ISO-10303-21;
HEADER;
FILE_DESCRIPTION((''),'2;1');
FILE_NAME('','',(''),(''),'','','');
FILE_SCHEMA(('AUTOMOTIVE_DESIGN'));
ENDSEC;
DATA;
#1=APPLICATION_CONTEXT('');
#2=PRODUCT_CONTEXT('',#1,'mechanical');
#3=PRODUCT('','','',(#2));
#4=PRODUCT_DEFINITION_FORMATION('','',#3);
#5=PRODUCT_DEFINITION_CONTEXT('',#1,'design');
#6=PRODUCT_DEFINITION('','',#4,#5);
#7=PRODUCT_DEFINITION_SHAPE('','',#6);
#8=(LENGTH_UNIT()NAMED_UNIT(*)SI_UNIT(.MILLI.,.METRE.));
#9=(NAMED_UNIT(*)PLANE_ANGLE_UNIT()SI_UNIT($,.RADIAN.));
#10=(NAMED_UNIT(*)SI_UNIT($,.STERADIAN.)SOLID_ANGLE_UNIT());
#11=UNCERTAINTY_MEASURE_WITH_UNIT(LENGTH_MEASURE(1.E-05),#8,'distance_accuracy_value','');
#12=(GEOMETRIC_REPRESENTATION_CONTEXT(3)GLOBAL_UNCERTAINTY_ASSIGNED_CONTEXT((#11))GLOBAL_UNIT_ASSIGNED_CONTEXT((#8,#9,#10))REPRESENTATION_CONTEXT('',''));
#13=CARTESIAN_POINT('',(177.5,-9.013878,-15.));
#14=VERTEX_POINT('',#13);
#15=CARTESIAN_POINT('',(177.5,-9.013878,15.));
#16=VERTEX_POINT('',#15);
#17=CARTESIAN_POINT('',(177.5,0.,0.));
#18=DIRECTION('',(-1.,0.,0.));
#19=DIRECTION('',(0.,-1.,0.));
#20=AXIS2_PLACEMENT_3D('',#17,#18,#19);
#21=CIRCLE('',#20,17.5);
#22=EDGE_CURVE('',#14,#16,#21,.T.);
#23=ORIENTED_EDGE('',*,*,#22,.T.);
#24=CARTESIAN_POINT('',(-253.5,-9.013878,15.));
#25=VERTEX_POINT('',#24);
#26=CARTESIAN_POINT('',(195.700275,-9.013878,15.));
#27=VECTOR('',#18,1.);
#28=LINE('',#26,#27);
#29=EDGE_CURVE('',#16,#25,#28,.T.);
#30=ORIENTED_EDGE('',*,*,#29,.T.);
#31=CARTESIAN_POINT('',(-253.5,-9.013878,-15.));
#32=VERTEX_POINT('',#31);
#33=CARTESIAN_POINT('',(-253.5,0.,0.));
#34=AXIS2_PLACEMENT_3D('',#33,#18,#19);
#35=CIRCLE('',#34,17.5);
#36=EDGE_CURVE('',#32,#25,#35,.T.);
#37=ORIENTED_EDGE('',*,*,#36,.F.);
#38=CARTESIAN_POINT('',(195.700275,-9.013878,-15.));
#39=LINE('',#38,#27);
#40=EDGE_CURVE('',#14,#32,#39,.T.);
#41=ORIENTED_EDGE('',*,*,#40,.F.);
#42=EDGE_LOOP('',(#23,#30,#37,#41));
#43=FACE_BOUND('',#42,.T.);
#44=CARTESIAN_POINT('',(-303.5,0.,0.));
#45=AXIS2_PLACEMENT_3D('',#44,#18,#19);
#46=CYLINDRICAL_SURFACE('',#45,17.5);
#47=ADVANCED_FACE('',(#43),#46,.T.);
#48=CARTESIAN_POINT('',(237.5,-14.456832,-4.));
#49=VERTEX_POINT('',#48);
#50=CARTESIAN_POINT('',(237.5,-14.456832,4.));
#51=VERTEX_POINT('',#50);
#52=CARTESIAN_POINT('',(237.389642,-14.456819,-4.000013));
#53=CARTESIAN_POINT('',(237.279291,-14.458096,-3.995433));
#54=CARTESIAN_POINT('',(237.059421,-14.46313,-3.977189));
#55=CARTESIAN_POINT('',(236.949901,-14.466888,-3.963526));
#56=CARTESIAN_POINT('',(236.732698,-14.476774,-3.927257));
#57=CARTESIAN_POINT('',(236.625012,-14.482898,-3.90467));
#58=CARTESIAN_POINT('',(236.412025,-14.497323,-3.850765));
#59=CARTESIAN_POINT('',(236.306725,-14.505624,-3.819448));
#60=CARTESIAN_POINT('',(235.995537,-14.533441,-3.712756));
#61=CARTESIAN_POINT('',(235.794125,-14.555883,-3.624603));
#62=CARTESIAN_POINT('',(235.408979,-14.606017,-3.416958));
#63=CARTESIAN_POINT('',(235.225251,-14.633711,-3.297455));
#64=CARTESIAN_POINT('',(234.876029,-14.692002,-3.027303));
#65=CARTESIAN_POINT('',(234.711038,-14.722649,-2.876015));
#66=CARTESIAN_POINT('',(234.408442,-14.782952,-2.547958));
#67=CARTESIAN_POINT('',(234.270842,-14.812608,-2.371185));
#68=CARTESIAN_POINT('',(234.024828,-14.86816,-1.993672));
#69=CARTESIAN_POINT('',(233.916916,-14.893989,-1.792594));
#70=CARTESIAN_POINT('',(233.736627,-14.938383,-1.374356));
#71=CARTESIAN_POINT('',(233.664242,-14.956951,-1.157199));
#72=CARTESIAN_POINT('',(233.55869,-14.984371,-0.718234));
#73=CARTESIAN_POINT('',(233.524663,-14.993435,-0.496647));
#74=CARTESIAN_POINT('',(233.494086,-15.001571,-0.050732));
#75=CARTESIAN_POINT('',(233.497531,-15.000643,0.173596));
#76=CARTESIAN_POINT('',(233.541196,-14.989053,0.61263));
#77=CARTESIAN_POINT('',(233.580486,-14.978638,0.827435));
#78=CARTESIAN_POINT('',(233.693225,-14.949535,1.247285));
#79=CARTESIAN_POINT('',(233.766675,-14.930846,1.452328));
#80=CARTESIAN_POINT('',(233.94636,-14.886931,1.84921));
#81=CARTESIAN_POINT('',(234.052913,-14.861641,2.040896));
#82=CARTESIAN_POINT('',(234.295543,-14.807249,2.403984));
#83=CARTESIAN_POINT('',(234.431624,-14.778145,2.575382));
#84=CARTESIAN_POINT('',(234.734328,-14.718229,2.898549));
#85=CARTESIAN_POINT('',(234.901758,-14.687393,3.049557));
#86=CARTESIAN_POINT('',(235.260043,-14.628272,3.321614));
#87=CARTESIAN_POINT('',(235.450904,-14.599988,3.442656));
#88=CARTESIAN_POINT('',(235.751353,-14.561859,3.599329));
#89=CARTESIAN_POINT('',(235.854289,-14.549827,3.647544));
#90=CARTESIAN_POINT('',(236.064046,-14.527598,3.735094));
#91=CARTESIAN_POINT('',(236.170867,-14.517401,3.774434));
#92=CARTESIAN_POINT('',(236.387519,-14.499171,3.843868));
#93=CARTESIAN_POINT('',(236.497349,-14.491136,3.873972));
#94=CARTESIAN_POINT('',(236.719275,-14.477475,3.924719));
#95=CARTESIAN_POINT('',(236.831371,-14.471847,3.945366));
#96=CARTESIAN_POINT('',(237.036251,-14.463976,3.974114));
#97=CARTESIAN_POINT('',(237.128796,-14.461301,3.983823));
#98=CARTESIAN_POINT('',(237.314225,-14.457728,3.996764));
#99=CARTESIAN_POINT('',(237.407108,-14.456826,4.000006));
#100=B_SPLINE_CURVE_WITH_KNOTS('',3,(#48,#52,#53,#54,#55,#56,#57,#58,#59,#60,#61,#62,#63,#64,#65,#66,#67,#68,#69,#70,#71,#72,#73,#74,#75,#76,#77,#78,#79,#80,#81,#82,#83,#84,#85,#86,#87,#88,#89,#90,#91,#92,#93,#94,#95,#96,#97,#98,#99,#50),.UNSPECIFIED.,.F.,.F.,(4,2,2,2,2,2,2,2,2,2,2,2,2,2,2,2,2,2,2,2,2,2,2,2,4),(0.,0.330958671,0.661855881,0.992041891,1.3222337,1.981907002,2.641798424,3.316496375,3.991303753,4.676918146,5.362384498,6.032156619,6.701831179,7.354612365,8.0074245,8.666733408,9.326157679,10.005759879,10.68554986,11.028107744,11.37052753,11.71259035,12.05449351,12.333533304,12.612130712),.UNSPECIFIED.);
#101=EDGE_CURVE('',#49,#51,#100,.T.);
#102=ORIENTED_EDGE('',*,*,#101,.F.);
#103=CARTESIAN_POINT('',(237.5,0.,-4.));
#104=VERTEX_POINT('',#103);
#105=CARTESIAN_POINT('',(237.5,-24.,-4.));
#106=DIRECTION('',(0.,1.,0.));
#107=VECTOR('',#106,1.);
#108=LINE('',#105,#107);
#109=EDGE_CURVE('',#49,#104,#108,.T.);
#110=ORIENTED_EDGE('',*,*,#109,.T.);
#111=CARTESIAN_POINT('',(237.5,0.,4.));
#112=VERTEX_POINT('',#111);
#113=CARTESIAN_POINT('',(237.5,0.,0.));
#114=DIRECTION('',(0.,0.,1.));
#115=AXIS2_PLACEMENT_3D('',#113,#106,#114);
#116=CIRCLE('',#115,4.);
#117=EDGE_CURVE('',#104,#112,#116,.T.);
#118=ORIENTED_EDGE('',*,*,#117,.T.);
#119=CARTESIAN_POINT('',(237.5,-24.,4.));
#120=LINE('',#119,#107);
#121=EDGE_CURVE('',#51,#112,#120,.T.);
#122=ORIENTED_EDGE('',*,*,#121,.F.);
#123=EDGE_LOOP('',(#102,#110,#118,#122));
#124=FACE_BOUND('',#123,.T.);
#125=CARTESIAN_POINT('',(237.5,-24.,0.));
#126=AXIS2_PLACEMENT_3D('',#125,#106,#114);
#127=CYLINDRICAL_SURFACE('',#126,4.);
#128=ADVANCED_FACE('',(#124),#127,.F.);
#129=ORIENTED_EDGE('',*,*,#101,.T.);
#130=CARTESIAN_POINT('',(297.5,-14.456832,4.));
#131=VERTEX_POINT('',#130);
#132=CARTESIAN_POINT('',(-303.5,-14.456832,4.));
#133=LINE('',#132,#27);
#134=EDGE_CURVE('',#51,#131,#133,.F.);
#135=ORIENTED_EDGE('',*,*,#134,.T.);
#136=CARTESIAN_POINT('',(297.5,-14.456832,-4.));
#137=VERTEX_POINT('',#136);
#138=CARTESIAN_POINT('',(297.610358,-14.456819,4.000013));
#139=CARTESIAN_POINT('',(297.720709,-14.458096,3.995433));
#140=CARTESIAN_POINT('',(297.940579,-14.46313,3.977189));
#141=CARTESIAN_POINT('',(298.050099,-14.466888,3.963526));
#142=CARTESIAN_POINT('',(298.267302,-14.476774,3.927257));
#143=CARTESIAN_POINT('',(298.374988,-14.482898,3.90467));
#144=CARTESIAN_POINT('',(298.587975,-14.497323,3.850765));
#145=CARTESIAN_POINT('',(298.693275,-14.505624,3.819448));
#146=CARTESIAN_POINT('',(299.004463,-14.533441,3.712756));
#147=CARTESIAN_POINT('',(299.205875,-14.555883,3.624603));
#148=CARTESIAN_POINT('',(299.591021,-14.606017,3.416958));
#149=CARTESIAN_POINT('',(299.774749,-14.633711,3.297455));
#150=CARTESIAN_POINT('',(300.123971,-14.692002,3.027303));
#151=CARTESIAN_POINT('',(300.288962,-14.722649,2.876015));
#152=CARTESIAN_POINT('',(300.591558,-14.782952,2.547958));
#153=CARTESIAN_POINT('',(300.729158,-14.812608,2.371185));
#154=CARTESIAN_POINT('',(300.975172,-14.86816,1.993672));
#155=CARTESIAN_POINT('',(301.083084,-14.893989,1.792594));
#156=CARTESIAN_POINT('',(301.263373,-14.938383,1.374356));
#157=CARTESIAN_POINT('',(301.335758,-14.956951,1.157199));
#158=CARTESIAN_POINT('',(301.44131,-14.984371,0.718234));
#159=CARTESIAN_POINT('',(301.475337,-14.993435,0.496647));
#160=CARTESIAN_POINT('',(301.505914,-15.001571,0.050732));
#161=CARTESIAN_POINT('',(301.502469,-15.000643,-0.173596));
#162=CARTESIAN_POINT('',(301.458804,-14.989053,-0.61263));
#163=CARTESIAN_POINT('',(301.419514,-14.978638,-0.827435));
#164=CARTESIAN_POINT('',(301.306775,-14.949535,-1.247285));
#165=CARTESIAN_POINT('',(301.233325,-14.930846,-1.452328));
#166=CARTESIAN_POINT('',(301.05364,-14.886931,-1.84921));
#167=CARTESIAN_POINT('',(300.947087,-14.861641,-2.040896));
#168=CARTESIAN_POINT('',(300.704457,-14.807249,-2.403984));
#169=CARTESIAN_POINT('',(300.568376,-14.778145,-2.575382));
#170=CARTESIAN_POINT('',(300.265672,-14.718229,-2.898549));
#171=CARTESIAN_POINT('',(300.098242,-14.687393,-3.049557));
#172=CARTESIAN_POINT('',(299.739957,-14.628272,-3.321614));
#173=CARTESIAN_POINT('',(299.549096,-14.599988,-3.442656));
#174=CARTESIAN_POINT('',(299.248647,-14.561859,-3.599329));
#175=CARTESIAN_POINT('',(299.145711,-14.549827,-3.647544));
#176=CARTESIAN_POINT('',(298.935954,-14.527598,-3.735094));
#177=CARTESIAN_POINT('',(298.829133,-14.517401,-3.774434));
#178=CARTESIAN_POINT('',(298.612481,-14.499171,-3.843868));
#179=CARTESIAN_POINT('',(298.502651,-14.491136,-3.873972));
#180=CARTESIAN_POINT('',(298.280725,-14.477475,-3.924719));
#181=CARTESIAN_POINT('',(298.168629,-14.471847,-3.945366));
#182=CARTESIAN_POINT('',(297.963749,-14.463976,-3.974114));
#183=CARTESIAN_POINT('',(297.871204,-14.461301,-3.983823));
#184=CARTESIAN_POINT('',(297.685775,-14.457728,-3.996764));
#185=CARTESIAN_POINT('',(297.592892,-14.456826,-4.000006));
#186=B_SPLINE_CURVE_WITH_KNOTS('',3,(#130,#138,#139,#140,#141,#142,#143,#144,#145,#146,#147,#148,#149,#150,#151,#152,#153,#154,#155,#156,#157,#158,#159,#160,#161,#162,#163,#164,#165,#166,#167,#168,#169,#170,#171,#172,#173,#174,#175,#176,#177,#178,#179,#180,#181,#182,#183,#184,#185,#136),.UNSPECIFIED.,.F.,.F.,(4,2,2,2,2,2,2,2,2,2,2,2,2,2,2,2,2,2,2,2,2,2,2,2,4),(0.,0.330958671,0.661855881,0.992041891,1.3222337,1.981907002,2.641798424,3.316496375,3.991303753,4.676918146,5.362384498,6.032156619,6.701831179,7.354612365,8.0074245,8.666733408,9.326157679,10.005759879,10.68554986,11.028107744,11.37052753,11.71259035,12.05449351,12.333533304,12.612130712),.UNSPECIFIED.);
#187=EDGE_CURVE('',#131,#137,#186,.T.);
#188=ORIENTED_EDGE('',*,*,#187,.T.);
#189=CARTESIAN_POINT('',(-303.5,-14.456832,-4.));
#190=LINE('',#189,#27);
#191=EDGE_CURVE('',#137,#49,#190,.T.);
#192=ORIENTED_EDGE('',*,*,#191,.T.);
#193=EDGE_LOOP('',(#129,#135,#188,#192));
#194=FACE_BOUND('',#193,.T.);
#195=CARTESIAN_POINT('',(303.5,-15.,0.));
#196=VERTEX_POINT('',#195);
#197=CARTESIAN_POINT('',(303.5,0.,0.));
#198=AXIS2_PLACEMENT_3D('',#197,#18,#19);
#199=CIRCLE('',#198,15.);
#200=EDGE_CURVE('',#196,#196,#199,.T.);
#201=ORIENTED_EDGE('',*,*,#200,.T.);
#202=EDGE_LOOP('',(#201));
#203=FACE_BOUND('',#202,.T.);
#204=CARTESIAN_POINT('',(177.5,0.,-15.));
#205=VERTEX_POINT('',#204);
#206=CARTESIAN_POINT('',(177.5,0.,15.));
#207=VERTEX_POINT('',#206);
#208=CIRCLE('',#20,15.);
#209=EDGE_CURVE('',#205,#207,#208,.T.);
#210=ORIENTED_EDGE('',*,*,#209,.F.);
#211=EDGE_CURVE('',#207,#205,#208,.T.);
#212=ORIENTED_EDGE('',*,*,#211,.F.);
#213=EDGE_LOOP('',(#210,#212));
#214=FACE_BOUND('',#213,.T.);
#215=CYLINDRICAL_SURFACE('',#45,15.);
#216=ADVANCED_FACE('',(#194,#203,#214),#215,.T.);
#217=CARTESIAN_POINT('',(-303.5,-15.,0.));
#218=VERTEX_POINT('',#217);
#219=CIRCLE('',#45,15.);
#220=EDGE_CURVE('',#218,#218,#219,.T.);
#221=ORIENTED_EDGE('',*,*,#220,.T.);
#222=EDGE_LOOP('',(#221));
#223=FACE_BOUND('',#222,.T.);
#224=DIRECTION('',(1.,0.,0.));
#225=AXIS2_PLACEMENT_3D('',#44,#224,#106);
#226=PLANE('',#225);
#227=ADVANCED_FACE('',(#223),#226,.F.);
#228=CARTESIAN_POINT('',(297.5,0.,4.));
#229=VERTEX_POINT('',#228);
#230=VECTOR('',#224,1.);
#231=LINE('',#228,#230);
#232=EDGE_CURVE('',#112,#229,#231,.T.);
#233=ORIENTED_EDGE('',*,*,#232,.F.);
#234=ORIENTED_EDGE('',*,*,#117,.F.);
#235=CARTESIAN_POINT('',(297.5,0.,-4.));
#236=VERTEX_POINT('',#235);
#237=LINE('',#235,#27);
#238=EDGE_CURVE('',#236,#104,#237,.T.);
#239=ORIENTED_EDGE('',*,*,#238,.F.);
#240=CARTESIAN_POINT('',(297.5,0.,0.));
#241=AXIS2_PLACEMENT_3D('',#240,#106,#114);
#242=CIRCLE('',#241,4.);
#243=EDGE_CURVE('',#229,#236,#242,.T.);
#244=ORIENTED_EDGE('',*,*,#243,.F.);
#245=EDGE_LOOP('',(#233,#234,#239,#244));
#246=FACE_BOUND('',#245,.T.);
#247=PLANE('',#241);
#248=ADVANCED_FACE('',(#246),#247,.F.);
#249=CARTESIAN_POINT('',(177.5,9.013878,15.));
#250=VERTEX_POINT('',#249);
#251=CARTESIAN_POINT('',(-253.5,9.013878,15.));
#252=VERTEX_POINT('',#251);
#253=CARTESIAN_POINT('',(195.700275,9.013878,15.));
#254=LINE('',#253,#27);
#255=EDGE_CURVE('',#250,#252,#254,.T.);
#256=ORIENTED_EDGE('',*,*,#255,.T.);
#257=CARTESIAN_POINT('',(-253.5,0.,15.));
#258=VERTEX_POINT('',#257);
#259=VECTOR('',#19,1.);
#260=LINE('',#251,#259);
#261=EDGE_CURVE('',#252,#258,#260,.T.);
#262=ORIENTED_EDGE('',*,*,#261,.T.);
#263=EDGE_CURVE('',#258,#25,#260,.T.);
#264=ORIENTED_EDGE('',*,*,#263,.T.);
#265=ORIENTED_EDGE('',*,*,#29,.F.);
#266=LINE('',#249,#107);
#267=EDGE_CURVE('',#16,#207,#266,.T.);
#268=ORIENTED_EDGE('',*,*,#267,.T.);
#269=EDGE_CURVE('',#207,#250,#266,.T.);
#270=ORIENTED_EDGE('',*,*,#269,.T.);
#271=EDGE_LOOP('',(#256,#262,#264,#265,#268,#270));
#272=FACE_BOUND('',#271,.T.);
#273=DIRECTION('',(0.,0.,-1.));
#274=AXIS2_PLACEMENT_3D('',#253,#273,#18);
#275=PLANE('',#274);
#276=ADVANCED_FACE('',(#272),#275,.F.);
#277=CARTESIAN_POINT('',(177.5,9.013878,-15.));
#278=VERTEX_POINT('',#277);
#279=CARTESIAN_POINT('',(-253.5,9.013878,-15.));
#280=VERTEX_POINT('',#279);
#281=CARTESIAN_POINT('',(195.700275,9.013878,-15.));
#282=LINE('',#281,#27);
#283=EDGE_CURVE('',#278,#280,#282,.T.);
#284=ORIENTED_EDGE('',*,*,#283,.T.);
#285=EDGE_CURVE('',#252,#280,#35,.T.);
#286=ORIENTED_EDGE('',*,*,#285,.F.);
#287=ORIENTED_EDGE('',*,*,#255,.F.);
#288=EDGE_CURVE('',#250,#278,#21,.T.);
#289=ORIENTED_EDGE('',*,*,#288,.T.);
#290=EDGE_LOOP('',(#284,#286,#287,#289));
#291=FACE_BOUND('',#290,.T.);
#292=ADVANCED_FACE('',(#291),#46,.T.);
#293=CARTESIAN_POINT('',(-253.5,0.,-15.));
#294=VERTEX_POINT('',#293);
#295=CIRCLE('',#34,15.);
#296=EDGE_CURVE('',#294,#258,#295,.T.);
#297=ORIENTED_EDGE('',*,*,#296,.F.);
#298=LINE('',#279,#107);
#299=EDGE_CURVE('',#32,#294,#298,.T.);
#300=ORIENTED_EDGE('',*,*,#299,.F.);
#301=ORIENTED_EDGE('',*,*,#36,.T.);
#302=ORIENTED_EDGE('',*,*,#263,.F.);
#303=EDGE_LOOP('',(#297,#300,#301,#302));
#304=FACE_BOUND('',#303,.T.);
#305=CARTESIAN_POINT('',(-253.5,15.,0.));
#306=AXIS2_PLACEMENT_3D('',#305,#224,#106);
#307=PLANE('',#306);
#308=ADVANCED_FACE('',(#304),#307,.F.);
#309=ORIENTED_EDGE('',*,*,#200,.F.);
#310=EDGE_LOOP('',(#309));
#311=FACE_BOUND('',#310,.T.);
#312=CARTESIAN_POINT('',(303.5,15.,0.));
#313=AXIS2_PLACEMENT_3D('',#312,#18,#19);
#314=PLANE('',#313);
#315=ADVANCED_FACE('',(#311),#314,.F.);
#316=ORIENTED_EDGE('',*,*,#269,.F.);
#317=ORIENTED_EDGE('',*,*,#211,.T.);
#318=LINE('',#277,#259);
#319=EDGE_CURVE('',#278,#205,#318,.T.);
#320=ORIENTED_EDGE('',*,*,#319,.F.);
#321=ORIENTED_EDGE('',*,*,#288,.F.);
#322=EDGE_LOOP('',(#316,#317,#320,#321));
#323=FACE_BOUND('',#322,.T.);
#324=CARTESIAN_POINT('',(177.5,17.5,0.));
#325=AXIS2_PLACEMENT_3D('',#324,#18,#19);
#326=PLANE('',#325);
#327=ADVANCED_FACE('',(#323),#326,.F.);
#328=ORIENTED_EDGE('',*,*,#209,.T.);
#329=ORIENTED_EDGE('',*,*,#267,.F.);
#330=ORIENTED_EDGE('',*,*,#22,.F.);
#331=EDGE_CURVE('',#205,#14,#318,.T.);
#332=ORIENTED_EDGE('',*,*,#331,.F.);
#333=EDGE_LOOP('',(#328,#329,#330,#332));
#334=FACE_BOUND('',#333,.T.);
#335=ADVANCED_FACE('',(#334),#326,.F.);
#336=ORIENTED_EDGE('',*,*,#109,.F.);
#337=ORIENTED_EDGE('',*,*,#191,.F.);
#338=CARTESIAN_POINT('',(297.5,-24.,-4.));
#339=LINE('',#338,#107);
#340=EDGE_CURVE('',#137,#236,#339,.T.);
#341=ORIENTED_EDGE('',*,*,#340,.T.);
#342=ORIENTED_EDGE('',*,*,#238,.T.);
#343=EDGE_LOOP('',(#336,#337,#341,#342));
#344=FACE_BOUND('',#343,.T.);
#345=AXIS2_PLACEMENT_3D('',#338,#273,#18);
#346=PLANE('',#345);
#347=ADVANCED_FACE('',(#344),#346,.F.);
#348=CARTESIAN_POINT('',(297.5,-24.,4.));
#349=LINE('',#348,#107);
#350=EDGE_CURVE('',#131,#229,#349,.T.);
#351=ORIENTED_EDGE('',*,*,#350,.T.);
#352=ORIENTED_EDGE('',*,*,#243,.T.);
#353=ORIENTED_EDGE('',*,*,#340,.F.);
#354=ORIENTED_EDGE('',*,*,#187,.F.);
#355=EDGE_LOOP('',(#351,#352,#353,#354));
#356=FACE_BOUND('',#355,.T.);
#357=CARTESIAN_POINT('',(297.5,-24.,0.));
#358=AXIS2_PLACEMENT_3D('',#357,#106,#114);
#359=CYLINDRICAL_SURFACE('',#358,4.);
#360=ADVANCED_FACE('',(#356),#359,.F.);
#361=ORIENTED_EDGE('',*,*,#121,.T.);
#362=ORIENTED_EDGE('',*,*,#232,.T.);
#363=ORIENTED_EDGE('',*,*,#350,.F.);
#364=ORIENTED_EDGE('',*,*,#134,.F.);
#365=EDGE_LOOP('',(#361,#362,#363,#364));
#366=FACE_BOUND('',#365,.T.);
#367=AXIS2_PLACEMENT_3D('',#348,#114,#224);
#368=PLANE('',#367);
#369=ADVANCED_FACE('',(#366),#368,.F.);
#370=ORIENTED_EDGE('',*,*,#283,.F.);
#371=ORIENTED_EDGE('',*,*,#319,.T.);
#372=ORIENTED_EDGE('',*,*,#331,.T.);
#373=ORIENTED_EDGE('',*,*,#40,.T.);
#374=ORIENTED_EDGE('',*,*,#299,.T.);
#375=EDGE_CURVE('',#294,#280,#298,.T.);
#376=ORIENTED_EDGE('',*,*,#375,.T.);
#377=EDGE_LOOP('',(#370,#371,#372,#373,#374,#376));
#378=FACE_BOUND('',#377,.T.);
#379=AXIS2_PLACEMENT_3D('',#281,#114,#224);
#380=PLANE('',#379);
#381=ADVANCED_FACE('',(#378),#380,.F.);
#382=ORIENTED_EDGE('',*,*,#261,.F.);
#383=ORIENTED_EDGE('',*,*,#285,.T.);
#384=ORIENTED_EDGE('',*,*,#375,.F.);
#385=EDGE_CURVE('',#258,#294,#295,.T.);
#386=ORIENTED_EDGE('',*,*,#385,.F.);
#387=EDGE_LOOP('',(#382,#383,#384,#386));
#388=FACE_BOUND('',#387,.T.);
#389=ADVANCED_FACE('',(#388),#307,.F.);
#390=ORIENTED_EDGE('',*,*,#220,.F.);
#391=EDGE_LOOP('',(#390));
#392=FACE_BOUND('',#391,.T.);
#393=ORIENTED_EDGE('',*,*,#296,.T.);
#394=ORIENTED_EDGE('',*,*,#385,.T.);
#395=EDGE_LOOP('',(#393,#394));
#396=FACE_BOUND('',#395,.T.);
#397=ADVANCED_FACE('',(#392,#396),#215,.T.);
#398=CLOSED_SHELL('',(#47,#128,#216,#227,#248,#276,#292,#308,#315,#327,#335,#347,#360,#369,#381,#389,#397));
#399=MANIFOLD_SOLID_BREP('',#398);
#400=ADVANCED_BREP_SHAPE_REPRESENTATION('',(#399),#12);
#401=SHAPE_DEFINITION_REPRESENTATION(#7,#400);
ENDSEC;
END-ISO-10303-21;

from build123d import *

# Parameters (mm, degrees)
KES_EKSTR_ZYON1_DEPTH = 431
KES_EKSTR_ZYON2_DEPTH = 24


with BuildPart() as part:
    # Çizim1 → Döndür1 (revolve)
    with BuildSketch(Plane.XY):
        Polygon((-303.5, 0), (303.5, 0), (303.5, 15), (177.5, 15), (177.5, 17.5), (-253.5, 17.5), (-253.5, 15), (-303.5, 15), align=None)
    revolve(axis=Axis((-303.5, 0, 0), (1, 0, 0)))

    # Çizim2 → Kes-Ekstrüzyon1 (cut)
    with BuildSketch(Plane.ZY.offset(253.5)):
        with BuildLine():
            Line((-15, 9.013878189), (-15, -9.013878189))
            ThreePointArc((-15, -9.013878189), (-17.5, 0), (-15, 9.013878189))
        make_face()
        with BuildLine():
            Line((15, 9.013878189), (15, -9.013878189))
            ThreePointArc((15, -9.013878189), (17.5, 0), (15, 9.013878189))
        make_face()
    extrude(amount=-KES_EKSTR_ZYON1_DEPTH, mode=Mode.SUBTRACT)

    # Çizim3 → Kes-Ekstrüzyon2 (cut)
    with BuildSketch(Plane(origin=(0, 0, 0), x_dir=(1, 0, 0), z_dir=(0, 1, 0))):
        with BuildLine():
            Line((297.5, -4), (237.5, -4))
            ThreePointArc((237.5, -4), (233.5, 0), (237.5, 4))
            Line((237.5, 4), (297.5, 4))
            ThreePointArc((297.5, 4), (301.5, 0), (297.5, -4))
        make_face()
    extrude(amount=-KES_EKSTR_ZYON2_DEPTH, mode=Mode.SUBTRACT)


solid = part.part
